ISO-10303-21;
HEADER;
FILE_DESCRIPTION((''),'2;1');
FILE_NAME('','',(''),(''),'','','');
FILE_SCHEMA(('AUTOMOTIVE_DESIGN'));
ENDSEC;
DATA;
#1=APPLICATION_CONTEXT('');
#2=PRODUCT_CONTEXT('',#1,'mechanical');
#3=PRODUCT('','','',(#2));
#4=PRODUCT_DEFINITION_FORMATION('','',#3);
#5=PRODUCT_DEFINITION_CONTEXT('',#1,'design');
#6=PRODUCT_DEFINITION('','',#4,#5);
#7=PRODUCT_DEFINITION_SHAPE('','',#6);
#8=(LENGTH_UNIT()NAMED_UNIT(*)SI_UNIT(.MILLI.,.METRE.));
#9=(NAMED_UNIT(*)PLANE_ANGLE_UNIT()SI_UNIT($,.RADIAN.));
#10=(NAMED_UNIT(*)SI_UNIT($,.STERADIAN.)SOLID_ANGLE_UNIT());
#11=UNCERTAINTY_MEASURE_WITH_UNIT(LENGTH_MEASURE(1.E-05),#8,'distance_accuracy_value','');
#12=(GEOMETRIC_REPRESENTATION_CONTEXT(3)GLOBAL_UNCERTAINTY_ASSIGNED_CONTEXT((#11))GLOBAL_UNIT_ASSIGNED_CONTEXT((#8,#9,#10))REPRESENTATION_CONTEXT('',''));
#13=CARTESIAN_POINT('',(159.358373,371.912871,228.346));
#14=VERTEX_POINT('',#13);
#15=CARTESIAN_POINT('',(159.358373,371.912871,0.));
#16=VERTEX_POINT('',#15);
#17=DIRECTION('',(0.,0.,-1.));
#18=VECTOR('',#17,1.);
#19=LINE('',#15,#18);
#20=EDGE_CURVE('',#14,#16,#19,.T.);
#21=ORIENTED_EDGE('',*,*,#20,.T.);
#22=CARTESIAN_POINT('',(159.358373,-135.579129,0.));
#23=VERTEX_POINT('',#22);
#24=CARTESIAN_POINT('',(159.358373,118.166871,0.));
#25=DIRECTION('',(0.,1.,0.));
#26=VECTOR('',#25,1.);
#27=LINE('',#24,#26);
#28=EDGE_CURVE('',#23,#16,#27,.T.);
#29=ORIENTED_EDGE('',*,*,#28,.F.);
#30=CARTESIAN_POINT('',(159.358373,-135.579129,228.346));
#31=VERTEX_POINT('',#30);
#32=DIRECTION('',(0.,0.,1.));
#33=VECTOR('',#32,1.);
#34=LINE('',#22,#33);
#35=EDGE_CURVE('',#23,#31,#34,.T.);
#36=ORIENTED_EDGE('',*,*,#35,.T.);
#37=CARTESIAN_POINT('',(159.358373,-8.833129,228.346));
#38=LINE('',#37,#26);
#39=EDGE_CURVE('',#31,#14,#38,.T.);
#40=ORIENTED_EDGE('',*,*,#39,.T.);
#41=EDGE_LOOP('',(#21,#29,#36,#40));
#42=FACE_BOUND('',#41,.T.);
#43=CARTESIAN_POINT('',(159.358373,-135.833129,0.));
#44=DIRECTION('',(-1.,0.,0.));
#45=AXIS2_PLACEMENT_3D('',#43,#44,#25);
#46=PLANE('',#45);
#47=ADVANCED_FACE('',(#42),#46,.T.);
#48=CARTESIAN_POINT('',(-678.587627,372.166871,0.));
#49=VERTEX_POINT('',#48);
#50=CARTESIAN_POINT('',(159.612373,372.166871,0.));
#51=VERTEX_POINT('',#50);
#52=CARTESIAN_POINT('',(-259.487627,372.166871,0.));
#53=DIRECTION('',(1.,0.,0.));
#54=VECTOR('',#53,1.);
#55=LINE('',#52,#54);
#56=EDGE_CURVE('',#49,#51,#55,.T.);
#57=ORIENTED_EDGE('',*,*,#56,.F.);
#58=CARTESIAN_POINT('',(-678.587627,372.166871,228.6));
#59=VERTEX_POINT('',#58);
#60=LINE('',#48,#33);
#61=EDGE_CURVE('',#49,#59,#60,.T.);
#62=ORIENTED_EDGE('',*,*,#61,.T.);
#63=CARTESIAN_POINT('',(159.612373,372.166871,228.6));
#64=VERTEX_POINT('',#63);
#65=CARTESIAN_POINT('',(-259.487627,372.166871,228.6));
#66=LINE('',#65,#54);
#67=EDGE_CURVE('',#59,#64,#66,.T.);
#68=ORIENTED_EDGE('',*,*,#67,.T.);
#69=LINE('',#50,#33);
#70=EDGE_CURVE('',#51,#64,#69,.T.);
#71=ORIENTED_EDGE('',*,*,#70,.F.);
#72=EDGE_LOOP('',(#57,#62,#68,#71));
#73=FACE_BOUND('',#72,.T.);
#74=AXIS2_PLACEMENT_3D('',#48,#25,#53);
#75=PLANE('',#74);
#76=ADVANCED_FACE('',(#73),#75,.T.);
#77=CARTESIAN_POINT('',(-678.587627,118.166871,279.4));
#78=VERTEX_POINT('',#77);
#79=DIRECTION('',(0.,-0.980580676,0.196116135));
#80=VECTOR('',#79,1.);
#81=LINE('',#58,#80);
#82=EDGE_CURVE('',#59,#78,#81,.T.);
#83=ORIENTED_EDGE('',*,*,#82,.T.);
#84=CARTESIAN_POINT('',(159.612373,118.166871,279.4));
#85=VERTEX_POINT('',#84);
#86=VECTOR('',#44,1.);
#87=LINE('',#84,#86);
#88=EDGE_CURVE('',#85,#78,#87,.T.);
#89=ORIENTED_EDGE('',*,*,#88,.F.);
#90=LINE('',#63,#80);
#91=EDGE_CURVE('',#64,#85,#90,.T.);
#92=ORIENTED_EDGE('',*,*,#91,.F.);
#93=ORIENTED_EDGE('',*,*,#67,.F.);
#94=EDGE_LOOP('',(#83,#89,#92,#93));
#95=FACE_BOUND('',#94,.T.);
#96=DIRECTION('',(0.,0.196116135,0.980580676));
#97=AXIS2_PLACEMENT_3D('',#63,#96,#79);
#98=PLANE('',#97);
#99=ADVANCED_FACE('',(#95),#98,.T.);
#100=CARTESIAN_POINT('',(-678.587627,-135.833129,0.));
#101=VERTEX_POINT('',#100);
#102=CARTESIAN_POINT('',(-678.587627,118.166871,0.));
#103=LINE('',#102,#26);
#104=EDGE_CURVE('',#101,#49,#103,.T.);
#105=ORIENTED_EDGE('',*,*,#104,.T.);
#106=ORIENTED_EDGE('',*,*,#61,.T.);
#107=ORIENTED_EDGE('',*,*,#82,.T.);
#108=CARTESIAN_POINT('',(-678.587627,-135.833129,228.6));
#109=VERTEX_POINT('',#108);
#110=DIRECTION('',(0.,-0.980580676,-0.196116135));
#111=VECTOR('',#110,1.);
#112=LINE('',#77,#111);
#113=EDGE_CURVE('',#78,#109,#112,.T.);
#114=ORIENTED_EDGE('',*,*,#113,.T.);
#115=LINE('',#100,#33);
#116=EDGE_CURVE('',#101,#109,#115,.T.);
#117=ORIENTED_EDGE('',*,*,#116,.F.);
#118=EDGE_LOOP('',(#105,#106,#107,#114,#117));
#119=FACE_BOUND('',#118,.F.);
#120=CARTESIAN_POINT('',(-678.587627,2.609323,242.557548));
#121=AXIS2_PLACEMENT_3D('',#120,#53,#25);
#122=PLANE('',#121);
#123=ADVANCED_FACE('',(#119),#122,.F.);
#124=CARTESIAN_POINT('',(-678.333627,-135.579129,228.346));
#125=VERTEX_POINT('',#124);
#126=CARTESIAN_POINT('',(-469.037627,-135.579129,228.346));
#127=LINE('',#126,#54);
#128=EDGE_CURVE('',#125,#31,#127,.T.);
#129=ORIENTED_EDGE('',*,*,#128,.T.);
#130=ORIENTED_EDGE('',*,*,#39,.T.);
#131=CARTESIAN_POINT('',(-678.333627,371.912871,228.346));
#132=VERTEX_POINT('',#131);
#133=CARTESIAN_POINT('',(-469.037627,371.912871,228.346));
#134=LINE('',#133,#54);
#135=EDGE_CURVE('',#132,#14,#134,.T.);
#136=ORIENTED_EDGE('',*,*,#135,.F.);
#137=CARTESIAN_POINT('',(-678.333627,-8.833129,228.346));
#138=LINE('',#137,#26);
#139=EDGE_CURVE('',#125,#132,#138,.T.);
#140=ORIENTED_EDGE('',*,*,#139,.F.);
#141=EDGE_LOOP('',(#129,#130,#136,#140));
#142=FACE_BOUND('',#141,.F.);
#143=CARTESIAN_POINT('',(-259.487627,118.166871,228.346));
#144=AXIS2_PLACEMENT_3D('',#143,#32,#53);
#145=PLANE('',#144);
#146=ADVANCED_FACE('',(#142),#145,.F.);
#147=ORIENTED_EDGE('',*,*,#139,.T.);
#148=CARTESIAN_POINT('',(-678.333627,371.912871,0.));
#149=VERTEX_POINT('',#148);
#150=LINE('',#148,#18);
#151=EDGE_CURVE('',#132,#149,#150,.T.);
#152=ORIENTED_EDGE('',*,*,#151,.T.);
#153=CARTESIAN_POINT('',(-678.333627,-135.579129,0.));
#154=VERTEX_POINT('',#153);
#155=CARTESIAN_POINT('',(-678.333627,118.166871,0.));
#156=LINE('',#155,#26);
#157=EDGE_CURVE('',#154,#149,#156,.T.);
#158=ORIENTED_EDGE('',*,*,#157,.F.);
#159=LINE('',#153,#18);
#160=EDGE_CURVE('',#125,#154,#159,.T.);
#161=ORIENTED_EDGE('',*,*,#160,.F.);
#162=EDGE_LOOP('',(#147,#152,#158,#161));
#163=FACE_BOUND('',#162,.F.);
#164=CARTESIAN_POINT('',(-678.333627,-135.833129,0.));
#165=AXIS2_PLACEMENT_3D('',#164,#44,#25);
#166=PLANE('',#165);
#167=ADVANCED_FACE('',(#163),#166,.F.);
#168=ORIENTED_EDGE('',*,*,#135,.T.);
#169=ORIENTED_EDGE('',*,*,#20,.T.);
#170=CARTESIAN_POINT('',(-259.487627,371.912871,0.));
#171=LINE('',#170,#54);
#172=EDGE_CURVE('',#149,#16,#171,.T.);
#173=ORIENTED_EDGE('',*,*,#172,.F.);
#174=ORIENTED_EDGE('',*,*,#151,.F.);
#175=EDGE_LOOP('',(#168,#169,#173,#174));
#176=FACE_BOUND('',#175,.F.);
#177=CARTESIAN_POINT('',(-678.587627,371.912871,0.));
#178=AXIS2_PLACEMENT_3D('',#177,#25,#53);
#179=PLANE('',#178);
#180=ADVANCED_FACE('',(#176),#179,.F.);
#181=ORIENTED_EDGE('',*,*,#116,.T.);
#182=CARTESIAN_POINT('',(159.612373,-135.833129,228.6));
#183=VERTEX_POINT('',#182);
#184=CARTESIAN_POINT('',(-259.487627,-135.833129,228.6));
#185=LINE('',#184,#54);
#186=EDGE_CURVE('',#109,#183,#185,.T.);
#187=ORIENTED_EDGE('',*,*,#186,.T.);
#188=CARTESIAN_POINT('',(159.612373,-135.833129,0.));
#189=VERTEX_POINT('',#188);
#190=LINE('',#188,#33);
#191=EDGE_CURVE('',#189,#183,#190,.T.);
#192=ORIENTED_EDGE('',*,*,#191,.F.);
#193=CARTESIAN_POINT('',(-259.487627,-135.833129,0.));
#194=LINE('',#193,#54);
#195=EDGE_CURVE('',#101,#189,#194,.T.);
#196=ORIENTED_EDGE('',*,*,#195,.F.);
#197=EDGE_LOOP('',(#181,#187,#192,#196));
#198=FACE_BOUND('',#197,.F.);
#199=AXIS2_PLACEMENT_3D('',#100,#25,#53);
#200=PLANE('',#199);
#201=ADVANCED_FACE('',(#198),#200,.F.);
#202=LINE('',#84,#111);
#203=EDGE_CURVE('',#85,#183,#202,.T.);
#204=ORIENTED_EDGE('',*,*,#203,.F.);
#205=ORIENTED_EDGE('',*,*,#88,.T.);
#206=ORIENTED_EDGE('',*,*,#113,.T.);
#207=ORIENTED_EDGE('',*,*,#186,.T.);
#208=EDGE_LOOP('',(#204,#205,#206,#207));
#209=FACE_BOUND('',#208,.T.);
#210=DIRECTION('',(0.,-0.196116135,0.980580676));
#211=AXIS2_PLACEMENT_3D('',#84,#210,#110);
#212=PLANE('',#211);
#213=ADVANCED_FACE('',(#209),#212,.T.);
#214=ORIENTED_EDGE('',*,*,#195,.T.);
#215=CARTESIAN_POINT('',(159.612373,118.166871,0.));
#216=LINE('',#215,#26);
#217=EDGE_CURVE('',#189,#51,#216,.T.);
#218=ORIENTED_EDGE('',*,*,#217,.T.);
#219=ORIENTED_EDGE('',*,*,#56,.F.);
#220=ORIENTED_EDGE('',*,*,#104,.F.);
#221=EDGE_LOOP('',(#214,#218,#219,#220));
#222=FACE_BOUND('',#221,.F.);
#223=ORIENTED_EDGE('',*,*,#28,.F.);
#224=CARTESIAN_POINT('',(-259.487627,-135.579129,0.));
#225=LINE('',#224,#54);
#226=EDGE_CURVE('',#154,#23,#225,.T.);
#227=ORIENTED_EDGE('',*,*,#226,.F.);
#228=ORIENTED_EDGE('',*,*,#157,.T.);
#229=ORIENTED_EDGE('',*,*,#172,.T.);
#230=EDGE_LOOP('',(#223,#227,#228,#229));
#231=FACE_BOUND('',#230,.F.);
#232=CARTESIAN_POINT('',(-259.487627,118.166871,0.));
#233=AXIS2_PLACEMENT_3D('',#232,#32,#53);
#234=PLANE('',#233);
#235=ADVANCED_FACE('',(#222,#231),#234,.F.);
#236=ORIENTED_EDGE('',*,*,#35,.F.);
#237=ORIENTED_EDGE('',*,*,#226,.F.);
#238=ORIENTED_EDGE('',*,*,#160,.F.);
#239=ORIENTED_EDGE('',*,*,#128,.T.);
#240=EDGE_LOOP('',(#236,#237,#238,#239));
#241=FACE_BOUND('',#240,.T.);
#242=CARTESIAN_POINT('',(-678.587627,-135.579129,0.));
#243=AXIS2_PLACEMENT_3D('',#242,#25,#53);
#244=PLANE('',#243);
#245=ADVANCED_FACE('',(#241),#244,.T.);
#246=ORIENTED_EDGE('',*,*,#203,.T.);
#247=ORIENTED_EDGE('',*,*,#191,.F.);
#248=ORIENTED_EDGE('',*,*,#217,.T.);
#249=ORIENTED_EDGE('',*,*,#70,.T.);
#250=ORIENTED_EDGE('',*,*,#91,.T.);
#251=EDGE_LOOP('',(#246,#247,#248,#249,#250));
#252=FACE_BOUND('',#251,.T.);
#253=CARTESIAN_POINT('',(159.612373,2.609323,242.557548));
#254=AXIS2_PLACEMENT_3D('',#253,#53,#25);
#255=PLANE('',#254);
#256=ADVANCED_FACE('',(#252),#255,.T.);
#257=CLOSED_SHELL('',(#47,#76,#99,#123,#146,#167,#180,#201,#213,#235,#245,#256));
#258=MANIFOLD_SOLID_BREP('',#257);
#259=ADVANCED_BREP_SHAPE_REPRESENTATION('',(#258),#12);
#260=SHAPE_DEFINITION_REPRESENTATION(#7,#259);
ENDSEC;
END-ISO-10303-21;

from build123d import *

# Parameters (mm, degrees)
F0_W     = 838.2
F0_H     = 508
F0_W_2   = 685.8
F0_H_2   = 355.6
F1_DEPTH = 228.6
F2_T     = -0.254
F4_DEPTH = 838.2


with BuildPart() as f1:
    # F0 (on Top) → F1 (new body)
    with BuildSketch(Plane.XY):
        with Locations((-259.4876274824, 118.1668707132)):
            Rectangle(F0_W, F0_H)
        with Locations((-259.4876274824, 118.1668707132)):
            Rectangle(F0_W_2, F0_H_2, mode=Mode.SUBTRACT)
        with Locations((-259.4876274824, 118.1668707132)):
            Rectangle(F0_W_2, F0_H_2)
    extrude(amount=F1_DEPTH)

    # F2
    f2_openings = [f1.faces().sort_by_distance(p)[0] for p in [
        (-259.487627, 118.166871, 0),
    ]]
    offset(amount=F2_T, openings=f2_openings)

    # F3 (on face) → F4 (join)
    with BuildSketch(Plane.YZ.offset(159.6123725176)):
        Polygon((118.1668707132, 279.4), (-135.8331292868, 228.6), (118.1668707132, 228.6), align=None)
        Polygon((118.1668707132, 279.4), (118.1668707132, 228.6), (372.1668707132, 228.6), align=None)
    extrude(amount=-F4_DEPTH)


solid = f1.part
